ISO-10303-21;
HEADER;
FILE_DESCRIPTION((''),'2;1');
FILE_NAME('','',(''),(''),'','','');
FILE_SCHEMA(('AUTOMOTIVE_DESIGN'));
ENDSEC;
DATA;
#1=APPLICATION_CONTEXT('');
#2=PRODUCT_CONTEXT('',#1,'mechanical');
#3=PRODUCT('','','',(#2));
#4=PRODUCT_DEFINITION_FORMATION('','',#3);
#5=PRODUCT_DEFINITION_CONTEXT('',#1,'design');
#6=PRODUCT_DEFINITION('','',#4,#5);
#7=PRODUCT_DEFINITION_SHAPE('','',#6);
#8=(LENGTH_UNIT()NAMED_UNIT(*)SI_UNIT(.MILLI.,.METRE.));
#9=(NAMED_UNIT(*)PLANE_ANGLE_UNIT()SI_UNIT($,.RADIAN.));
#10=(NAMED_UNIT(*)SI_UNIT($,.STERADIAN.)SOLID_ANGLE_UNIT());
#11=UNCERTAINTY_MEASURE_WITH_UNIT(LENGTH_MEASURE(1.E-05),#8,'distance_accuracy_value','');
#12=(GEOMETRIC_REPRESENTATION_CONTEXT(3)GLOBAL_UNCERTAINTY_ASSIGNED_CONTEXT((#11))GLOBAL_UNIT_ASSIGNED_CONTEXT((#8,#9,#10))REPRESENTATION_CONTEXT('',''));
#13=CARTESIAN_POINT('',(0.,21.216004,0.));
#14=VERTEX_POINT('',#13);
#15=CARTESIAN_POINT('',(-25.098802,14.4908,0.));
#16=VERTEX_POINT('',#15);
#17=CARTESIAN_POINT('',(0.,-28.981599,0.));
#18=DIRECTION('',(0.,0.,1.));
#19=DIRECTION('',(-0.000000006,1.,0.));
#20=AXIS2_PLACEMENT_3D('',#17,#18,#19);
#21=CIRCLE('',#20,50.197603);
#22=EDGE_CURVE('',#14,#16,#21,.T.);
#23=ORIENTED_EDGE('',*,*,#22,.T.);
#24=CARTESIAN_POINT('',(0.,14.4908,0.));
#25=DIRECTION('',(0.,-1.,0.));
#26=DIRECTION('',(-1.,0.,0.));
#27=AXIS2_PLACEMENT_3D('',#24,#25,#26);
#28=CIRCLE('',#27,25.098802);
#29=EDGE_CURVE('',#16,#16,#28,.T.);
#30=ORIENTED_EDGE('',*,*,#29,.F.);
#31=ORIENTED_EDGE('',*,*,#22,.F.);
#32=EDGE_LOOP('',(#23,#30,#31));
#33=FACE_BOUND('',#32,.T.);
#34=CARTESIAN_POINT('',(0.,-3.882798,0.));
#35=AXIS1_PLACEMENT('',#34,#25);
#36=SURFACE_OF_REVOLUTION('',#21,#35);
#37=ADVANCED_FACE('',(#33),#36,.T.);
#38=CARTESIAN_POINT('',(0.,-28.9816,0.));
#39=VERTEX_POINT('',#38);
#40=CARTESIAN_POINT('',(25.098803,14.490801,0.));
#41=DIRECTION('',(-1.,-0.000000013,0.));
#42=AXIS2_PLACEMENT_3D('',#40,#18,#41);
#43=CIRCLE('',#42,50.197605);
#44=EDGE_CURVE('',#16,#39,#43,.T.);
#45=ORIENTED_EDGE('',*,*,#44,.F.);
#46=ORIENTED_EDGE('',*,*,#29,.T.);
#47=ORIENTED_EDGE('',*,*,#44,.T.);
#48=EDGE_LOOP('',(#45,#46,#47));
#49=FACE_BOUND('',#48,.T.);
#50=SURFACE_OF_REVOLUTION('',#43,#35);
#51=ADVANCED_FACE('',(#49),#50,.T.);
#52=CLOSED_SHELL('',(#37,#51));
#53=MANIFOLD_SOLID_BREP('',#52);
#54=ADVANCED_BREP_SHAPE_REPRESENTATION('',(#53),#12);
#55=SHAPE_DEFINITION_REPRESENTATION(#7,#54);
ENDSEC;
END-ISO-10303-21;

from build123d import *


with BuildPart() as f1:
    # F0 (on Top) → F1 (revolve)
    with BuildSketch(Plane.XY):
        Polygon((0, 14.4908), (-25.098802, 14.4908), (0, -28.9816), align=None)
        with BuildLine():
            Line((0, -28.9816), (-25.098802, 14.4908))
            ThreePointArc((-25.098802, 14.4908), (-18.373598, -10.608002), (0, -28.9816))
        make_face()
        with BuildLine():
            ThreePointArc((0, 21.216004), (-12.992096, 19.505562), (-25.098802, 14.4908))
            Line((-25.098802, 14.4908), (0, 14.4908))
            Line((0, 14.4908), (0, 21.216004))
        make_face()
    revolve(axis=Axis((0, -3.882798, 0), (0, -1, 0)))


solid = f1.part
